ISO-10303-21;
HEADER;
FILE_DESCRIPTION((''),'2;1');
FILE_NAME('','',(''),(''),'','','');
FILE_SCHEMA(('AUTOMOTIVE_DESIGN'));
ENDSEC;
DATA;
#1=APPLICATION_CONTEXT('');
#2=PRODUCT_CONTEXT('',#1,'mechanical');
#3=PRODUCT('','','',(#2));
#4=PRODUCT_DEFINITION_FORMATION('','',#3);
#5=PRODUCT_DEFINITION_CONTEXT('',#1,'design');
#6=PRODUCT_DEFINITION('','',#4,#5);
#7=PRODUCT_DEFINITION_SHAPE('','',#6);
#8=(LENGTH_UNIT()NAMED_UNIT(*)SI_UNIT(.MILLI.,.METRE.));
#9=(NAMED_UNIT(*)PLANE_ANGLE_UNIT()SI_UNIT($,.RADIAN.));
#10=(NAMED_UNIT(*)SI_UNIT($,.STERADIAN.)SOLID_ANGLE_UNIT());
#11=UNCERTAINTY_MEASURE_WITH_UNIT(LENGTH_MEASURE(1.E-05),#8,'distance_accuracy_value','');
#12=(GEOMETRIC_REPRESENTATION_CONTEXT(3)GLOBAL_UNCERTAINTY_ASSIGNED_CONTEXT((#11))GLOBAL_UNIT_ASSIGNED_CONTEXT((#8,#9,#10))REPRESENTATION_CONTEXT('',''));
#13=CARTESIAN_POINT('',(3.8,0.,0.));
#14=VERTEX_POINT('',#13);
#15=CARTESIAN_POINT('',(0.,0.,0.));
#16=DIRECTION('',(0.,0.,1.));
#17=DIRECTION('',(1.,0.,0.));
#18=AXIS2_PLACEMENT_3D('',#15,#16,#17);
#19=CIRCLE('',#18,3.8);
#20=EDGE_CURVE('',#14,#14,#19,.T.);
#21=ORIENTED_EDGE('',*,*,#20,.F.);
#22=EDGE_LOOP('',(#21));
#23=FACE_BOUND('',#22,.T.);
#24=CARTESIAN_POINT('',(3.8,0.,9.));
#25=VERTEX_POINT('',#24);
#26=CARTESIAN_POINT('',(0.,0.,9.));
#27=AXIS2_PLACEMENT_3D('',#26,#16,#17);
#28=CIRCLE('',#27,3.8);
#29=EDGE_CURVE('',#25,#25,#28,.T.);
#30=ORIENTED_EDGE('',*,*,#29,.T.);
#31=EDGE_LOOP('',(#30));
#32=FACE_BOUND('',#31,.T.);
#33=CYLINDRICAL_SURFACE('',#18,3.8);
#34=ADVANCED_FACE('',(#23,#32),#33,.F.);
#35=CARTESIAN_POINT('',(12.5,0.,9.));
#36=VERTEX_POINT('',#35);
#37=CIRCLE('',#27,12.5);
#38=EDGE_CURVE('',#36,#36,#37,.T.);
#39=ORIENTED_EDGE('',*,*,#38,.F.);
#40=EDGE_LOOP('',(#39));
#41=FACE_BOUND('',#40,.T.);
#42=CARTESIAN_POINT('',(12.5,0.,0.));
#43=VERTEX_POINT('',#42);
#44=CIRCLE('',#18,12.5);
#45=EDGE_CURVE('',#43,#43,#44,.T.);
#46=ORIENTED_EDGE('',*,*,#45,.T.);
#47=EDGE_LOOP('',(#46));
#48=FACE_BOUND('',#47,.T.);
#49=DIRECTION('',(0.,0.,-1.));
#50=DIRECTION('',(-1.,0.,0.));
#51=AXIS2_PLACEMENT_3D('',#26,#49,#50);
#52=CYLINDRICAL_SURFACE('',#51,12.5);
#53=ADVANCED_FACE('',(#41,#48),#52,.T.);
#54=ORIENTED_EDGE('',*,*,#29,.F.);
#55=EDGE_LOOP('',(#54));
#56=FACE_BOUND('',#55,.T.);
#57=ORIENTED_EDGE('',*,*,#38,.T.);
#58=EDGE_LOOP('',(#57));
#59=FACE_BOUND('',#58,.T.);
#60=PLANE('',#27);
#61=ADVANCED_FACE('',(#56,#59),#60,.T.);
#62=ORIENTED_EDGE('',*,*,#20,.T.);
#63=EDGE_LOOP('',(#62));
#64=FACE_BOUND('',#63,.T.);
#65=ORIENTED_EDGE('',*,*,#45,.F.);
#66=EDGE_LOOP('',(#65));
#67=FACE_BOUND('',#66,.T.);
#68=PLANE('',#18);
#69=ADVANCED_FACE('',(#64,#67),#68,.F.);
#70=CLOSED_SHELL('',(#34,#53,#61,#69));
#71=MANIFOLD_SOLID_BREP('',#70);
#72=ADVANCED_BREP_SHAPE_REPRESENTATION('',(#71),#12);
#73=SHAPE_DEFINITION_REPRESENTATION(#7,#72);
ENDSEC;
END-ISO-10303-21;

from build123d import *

# Parameters (mm, degrees)
SKETCH_1_R   = 12.5
SLEEVE_DEPTH = 9
SKETCH_2_R   = 3.8
BORE_DEPTH   = 20.836834425


with BuildPart() as part:
    # 草图1 → Sleeve (new body)
    with BuildSketch(Plane.XY):
        Circle(SKETCH_1_R)
    extrude(amount=SLEEVE_DEPTH)

    # 草图2 → Bore (cut, through all)
    with BuildSketch(Plane.XY.offset(9)):
        Circle(SKETCH_2_R)
    extrude(amount=-BORE_DEPTH, mode=Mode.SUBTRACT)


solid = part.part
